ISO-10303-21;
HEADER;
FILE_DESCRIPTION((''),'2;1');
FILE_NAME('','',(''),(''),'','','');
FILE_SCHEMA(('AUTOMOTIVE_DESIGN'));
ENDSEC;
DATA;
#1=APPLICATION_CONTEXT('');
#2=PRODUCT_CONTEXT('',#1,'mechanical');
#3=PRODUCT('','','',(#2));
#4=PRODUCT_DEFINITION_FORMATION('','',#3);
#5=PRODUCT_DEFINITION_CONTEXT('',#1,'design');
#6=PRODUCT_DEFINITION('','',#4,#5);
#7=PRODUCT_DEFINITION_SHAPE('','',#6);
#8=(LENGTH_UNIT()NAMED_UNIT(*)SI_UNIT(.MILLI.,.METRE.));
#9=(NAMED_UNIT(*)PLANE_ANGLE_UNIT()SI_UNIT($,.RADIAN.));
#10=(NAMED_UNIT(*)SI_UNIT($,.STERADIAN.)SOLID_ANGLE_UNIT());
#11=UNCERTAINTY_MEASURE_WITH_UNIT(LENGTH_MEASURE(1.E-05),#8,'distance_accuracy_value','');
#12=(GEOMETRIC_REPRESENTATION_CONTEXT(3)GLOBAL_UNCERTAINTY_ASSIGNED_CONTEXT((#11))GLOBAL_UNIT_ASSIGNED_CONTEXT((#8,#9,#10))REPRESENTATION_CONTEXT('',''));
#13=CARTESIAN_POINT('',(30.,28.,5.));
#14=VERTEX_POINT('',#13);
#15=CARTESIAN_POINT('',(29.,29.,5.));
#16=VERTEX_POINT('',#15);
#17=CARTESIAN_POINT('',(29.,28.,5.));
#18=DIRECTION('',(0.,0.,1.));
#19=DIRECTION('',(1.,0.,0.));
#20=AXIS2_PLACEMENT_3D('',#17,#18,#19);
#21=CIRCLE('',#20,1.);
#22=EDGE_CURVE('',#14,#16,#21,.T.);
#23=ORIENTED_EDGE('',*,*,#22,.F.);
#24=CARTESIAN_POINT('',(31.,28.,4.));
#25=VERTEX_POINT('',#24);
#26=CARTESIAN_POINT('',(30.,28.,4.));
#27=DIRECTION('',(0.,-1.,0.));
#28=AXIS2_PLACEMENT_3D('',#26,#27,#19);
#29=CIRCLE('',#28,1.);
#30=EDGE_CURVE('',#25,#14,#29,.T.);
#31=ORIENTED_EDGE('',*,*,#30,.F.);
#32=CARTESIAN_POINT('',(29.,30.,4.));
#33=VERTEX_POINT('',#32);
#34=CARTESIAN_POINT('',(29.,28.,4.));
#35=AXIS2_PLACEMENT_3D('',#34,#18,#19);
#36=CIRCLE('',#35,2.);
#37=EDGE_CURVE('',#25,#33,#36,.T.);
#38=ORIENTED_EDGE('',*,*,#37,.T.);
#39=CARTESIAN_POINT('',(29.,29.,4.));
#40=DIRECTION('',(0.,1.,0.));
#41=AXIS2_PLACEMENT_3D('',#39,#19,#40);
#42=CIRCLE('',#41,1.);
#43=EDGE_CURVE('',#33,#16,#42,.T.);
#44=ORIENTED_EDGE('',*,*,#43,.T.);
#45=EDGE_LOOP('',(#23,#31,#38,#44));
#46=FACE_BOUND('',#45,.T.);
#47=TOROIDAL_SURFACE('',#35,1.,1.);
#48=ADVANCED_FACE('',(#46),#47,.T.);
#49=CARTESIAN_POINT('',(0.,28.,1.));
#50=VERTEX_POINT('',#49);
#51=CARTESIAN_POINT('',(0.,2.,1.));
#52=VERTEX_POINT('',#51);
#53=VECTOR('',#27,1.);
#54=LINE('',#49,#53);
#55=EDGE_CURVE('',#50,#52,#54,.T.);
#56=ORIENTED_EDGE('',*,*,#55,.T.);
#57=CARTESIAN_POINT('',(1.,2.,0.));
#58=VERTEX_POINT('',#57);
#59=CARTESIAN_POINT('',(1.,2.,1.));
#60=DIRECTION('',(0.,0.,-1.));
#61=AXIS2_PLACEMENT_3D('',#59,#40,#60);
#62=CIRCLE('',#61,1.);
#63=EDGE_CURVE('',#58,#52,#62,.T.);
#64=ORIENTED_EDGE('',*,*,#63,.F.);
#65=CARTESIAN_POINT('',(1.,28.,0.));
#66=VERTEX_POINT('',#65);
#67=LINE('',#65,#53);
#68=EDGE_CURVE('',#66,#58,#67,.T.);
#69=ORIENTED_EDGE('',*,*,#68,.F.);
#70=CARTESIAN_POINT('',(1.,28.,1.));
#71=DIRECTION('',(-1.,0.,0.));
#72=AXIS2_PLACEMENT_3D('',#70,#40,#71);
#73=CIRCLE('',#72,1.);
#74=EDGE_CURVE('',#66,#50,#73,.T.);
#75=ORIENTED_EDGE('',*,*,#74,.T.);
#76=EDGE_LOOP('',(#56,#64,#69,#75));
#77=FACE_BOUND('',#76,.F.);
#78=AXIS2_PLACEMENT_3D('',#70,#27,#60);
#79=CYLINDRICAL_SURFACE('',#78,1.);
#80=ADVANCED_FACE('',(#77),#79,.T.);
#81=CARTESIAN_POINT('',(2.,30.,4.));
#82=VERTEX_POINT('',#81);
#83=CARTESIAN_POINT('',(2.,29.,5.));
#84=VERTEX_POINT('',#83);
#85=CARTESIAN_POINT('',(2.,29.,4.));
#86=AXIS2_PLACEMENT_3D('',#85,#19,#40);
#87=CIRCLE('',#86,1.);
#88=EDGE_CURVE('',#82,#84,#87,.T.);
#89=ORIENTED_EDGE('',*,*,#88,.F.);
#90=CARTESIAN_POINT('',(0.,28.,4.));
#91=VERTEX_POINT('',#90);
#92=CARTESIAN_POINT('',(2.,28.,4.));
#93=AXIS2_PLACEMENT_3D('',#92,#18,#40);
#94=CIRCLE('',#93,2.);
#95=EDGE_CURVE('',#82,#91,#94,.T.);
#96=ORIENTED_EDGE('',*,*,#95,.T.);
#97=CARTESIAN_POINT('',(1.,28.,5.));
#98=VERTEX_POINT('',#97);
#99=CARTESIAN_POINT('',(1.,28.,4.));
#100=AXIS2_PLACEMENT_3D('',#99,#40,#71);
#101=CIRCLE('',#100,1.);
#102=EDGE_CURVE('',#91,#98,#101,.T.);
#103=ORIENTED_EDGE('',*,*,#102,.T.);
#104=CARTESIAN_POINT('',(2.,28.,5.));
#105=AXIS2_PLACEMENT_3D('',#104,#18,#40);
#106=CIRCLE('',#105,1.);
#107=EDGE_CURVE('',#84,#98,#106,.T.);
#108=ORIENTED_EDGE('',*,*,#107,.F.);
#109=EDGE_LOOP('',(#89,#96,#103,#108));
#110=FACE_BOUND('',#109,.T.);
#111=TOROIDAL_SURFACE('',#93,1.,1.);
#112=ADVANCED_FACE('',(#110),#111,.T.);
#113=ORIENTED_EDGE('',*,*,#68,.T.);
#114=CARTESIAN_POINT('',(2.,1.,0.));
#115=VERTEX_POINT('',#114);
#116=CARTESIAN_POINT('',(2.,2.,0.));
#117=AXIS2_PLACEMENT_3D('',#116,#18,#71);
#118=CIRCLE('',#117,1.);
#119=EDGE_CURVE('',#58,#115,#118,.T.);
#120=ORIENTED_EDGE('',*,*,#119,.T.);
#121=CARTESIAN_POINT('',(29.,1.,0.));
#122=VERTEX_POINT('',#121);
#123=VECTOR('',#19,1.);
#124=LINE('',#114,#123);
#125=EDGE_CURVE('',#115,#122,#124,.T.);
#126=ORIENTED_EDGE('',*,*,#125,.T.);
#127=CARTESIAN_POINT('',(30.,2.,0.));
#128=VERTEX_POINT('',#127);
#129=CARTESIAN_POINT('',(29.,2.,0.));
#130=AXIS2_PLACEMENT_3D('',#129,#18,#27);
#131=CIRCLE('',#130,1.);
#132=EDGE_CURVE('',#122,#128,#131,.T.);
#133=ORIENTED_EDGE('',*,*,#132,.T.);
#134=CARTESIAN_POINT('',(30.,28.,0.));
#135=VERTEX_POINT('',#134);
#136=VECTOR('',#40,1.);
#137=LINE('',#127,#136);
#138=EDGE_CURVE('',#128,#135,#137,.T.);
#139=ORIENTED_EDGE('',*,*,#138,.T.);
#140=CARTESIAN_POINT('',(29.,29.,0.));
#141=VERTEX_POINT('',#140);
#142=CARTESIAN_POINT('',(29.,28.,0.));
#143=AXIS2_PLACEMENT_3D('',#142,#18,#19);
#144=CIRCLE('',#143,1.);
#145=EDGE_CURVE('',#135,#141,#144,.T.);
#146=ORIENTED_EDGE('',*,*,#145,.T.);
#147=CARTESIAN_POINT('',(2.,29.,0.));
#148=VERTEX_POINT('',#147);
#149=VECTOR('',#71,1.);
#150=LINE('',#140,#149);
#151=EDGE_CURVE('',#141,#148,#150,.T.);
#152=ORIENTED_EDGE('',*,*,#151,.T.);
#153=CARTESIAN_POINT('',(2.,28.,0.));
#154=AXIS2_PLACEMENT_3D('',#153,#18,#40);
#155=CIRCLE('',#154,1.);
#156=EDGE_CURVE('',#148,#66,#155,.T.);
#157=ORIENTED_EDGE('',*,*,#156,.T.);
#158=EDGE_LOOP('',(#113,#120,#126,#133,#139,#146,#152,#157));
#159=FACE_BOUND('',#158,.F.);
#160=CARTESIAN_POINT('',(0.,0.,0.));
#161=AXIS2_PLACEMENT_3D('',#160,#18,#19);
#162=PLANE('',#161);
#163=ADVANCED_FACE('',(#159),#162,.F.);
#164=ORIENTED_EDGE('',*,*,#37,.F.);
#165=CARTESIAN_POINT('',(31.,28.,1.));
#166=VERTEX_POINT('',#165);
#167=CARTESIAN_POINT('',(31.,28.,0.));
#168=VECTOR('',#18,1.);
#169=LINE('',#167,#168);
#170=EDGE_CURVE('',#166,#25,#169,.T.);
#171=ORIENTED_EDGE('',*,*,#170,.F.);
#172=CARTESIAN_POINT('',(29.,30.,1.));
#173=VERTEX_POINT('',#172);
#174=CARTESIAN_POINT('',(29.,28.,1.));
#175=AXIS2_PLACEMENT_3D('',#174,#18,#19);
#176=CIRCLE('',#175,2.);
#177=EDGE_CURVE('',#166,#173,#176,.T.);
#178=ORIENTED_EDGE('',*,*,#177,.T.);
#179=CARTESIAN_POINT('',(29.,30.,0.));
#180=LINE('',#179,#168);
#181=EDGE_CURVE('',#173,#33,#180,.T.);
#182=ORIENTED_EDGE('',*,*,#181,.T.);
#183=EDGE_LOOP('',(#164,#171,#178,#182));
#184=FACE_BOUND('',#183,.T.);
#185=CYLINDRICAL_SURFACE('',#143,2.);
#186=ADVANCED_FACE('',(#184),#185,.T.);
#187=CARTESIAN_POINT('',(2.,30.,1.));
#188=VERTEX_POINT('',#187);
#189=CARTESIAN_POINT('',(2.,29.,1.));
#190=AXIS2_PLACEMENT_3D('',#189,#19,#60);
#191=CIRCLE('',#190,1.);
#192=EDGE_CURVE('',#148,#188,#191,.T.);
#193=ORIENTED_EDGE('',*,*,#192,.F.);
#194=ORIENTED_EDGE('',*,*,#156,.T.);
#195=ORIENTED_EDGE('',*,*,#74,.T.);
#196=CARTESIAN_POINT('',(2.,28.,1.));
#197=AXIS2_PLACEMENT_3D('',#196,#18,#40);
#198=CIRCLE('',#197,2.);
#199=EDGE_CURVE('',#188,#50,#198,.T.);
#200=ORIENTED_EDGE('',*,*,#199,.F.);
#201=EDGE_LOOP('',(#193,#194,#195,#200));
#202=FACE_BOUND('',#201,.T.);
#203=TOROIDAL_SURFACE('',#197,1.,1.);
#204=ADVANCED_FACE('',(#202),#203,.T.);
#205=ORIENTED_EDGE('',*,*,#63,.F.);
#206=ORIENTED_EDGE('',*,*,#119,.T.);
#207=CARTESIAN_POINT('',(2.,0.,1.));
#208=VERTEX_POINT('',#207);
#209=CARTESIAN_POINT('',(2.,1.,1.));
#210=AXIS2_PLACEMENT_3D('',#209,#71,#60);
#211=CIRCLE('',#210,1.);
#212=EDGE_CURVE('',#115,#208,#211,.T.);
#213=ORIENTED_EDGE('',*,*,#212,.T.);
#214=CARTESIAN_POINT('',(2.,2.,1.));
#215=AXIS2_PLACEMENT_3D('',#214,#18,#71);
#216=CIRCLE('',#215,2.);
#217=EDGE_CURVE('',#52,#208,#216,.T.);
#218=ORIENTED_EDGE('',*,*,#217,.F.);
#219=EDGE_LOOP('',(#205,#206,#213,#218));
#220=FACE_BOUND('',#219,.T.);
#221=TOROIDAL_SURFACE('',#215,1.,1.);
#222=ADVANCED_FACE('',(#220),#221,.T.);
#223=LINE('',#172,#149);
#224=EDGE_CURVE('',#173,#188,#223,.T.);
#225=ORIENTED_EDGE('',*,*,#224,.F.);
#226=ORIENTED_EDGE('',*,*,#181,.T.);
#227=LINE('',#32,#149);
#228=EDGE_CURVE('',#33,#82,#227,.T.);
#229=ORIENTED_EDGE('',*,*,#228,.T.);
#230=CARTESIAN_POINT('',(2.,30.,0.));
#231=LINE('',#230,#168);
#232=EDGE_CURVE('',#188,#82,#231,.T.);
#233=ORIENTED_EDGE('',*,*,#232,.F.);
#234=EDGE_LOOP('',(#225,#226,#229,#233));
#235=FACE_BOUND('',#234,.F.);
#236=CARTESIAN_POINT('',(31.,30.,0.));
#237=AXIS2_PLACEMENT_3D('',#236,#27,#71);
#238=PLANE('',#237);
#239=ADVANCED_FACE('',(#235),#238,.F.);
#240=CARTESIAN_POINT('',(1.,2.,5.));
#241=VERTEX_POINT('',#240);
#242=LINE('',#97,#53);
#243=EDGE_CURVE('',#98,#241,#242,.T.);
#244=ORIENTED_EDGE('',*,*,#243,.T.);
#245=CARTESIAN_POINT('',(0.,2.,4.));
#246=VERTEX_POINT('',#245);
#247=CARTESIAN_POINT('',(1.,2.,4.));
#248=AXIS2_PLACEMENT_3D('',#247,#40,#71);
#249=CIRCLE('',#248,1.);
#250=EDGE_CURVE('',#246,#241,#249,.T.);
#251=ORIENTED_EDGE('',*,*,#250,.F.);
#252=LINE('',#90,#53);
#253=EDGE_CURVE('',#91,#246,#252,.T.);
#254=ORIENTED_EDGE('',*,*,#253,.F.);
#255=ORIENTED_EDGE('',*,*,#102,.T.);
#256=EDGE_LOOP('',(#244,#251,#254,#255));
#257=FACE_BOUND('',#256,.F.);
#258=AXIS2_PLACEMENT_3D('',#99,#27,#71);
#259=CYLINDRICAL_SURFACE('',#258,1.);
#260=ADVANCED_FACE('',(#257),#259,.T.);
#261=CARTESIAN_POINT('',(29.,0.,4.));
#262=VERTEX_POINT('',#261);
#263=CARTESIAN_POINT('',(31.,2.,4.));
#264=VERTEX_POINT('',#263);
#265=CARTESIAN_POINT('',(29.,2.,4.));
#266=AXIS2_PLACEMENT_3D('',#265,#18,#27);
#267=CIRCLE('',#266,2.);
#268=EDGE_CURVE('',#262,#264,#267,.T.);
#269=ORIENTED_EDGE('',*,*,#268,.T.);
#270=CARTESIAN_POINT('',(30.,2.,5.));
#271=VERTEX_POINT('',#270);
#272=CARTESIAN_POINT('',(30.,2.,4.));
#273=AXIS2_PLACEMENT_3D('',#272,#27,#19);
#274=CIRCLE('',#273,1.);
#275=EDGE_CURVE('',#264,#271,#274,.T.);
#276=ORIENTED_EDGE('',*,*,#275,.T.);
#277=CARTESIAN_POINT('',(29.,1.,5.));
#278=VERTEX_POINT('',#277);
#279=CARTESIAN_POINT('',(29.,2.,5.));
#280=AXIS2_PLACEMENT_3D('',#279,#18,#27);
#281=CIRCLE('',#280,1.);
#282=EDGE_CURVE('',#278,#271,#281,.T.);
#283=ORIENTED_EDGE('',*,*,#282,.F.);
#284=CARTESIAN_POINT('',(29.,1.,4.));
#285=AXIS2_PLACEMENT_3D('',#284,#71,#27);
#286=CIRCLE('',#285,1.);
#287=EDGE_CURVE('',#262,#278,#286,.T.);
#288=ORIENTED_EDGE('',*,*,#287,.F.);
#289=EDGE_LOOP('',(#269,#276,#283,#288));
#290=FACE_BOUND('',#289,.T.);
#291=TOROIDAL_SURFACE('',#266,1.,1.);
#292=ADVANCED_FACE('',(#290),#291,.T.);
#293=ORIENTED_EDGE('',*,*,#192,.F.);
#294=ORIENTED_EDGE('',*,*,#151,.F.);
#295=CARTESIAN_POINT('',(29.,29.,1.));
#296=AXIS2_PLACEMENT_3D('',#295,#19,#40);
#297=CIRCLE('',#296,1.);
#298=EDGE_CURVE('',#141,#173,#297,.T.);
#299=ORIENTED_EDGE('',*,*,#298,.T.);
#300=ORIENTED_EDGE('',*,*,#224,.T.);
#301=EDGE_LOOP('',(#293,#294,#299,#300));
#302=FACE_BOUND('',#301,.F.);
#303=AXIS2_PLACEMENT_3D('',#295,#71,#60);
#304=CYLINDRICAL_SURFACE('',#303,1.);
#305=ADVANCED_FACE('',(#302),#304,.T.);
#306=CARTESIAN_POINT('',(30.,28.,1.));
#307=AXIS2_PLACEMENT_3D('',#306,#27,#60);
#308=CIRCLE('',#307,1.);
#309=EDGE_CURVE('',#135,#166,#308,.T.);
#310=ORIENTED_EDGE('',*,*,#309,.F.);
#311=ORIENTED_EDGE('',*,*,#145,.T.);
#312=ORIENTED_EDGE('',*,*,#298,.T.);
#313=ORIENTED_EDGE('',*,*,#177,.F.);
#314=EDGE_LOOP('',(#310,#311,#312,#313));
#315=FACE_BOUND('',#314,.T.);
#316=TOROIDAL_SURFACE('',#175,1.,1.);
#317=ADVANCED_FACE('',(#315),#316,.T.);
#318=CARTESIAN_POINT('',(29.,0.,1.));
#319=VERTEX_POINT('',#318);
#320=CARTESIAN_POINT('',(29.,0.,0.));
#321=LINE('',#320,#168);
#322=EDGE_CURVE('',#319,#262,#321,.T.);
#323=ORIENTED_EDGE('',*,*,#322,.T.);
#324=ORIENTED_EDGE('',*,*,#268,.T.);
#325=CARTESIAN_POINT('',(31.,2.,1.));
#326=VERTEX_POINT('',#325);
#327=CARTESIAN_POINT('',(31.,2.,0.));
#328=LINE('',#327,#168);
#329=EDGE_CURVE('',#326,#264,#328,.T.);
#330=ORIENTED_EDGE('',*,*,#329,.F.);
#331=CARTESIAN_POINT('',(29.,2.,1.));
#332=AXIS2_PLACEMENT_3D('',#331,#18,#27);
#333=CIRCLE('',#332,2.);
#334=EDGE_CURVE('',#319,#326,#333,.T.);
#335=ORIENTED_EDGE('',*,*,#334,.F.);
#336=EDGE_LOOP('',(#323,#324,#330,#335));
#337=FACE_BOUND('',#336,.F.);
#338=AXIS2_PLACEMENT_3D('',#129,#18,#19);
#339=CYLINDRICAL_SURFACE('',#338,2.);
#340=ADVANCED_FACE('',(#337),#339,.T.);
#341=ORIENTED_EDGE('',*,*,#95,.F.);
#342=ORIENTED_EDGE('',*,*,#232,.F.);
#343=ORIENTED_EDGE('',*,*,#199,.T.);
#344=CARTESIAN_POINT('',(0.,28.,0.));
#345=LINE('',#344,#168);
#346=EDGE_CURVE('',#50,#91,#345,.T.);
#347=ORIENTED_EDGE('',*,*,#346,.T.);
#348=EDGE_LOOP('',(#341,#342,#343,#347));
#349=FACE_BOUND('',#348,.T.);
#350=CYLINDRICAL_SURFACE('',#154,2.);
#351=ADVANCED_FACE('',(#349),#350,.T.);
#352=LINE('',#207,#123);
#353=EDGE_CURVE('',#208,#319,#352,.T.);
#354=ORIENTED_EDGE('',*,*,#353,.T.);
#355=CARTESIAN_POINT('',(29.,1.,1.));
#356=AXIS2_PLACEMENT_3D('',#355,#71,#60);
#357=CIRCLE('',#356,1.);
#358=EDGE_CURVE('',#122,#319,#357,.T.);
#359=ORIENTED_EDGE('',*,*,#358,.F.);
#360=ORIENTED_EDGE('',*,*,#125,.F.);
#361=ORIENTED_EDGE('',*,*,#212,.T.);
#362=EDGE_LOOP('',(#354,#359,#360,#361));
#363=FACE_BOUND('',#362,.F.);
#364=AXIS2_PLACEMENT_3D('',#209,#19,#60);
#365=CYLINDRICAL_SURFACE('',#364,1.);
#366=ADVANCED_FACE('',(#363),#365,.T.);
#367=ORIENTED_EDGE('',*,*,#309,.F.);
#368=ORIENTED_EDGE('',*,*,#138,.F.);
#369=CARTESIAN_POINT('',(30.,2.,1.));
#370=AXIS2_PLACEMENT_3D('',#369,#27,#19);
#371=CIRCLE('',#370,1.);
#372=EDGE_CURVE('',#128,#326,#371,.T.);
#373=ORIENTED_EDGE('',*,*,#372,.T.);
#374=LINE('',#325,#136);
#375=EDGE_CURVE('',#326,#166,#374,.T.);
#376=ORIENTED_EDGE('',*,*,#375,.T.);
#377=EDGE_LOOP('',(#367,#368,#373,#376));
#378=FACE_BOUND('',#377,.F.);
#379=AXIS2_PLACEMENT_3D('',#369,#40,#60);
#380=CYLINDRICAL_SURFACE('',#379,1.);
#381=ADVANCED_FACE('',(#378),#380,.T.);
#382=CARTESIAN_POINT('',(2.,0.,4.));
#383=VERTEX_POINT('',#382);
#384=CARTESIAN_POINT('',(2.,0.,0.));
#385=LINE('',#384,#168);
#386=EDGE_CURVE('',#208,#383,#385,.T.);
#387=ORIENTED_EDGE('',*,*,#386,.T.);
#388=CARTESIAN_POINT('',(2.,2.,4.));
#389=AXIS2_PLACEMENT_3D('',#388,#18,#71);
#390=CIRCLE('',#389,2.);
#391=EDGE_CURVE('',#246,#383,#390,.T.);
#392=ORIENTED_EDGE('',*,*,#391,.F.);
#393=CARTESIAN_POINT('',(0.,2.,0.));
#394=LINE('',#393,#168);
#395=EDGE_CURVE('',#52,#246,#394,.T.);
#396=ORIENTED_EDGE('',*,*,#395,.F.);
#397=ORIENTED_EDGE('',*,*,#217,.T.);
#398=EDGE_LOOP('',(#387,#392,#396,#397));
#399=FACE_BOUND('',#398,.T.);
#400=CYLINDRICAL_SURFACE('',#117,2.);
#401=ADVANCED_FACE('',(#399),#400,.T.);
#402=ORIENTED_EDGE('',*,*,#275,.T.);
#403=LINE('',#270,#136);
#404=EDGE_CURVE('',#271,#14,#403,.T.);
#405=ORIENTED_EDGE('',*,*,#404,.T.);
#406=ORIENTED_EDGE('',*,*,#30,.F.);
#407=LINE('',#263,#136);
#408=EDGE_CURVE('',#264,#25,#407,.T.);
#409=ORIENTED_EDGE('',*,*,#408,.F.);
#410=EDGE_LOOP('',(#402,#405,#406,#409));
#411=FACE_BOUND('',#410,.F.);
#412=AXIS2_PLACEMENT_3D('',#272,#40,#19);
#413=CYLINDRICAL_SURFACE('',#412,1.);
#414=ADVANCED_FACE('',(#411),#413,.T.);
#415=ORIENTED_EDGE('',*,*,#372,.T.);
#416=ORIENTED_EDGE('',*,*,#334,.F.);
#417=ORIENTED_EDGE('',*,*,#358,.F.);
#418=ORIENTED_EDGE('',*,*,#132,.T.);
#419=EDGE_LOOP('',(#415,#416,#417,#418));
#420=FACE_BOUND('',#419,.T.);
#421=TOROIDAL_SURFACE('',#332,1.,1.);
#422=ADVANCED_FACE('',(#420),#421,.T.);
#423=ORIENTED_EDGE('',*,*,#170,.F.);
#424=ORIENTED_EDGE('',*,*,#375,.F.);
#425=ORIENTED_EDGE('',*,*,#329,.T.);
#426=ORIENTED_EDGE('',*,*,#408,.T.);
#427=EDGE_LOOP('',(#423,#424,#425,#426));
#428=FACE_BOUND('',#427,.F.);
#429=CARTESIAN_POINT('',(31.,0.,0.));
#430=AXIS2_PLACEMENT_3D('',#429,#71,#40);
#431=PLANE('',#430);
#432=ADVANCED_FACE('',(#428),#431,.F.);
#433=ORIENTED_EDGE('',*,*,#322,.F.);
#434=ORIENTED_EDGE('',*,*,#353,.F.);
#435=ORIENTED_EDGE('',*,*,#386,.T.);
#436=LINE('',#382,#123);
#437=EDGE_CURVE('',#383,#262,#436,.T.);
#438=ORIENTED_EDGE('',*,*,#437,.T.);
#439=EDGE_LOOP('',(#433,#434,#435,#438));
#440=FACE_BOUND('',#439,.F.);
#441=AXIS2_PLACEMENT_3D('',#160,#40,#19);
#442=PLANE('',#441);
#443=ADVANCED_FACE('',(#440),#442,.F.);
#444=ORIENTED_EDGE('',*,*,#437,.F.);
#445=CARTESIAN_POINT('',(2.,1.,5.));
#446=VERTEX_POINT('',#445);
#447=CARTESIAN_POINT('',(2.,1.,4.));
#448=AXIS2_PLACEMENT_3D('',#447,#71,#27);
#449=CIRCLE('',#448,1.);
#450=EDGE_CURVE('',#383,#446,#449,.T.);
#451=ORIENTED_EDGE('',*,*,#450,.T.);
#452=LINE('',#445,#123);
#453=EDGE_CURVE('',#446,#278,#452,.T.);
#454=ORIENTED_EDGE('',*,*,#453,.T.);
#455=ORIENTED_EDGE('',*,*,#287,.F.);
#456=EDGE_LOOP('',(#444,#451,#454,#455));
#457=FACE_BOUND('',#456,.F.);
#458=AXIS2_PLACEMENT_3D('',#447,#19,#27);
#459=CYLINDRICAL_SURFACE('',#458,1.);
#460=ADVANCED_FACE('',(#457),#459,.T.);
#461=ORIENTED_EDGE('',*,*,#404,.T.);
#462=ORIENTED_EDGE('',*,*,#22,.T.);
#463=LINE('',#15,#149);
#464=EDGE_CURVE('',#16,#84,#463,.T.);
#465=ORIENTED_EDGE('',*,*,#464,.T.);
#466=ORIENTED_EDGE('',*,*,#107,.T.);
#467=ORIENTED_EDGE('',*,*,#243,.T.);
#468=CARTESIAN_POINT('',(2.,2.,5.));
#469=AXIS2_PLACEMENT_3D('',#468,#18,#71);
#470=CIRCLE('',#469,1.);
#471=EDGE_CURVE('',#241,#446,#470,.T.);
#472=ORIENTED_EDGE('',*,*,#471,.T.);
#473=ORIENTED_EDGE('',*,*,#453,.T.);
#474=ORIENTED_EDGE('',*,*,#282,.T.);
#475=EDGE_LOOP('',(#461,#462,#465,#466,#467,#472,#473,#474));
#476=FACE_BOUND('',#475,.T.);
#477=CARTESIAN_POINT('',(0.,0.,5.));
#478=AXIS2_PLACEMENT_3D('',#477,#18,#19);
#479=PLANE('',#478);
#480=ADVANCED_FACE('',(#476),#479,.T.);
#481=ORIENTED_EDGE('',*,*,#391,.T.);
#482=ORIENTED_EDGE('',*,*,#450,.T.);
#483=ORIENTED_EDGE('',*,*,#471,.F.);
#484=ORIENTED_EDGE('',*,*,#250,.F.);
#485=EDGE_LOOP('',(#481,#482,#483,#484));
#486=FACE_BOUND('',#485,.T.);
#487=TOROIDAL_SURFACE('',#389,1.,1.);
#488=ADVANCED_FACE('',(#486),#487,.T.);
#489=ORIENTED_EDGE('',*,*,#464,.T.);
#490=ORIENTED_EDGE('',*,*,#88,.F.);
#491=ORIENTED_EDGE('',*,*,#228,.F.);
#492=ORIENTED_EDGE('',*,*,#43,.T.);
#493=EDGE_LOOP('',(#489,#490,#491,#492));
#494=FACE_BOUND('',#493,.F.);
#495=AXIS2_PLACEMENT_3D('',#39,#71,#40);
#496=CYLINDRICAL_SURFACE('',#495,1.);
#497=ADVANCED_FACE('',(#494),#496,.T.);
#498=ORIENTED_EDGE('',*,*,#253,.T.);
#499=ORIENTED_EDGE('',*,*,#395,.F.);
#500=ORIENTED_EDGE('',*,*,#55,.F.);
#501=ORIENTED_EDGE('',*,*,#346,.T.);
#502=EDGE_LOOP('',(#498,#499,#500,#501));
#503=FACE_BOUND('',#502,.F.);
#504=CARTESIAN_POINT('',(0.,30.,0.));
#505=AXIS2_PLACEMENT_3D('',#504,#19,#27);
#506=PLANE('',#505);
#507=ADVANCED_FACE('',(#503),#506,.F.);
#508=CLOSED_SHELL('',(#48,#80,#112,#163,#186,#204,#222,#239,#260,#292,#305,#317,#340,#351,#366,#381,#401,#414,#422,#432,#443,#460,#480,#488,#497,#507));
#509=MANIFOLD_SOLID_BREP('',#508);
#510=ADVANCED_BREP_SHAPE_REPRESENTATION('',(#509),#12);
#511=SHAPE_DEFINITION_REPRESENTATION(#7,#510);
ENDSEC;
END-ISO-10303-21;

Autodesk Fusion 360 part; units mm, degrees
sketch "Sketch1" plane through (0, 0, 0) normal (0, 0, 1) x (1, 0, 0)
  line L0 (0, 0) -> (31, 0)
  line L1 (31, 0) -> (31, 30)
  line L2 (31, 30) -> (0, 30)
  line L3 (0, 30) -> (0, 0)
  dimension "d1" = 31
  dimension "d2" = 30
extrude "Extrude1" add sketch "Sketch1" along normal blind 5
fillet "Fillet1" radius 2 1 edges at (31, 0, 2.5)
fillet "Fillet2" radius 2 1 edges at (31, 30, 2.5)
fillet "Fillet3" radius 2 1 edges at (0, 30, 2.5)
fillet "Fillet4" radius 2 1 edges at (0, 0, 2.5)
fillet "Fillet5" radius 1 8 edges at (0.5858, 0.5858, 5) (15.5, 0, 5) (30.4142, 0.5858, 5) (31, 15, 5) (30.4142, 29.4142, 5) (15.5, 30, 5) (0.5858, 29.4142, 5) (0, 15, 5)
fillet "Fillet6" radius 1 8 edges at (15.5, 0, 0) (30.4142, 0.5858, 0) (31, 15, 0) (30.4142, 29.4142, 0) (15.5, 30, 0) (0.5858, 29.4142, 0) (0, 15, 0) (0.5858, 0.5858, 0)
